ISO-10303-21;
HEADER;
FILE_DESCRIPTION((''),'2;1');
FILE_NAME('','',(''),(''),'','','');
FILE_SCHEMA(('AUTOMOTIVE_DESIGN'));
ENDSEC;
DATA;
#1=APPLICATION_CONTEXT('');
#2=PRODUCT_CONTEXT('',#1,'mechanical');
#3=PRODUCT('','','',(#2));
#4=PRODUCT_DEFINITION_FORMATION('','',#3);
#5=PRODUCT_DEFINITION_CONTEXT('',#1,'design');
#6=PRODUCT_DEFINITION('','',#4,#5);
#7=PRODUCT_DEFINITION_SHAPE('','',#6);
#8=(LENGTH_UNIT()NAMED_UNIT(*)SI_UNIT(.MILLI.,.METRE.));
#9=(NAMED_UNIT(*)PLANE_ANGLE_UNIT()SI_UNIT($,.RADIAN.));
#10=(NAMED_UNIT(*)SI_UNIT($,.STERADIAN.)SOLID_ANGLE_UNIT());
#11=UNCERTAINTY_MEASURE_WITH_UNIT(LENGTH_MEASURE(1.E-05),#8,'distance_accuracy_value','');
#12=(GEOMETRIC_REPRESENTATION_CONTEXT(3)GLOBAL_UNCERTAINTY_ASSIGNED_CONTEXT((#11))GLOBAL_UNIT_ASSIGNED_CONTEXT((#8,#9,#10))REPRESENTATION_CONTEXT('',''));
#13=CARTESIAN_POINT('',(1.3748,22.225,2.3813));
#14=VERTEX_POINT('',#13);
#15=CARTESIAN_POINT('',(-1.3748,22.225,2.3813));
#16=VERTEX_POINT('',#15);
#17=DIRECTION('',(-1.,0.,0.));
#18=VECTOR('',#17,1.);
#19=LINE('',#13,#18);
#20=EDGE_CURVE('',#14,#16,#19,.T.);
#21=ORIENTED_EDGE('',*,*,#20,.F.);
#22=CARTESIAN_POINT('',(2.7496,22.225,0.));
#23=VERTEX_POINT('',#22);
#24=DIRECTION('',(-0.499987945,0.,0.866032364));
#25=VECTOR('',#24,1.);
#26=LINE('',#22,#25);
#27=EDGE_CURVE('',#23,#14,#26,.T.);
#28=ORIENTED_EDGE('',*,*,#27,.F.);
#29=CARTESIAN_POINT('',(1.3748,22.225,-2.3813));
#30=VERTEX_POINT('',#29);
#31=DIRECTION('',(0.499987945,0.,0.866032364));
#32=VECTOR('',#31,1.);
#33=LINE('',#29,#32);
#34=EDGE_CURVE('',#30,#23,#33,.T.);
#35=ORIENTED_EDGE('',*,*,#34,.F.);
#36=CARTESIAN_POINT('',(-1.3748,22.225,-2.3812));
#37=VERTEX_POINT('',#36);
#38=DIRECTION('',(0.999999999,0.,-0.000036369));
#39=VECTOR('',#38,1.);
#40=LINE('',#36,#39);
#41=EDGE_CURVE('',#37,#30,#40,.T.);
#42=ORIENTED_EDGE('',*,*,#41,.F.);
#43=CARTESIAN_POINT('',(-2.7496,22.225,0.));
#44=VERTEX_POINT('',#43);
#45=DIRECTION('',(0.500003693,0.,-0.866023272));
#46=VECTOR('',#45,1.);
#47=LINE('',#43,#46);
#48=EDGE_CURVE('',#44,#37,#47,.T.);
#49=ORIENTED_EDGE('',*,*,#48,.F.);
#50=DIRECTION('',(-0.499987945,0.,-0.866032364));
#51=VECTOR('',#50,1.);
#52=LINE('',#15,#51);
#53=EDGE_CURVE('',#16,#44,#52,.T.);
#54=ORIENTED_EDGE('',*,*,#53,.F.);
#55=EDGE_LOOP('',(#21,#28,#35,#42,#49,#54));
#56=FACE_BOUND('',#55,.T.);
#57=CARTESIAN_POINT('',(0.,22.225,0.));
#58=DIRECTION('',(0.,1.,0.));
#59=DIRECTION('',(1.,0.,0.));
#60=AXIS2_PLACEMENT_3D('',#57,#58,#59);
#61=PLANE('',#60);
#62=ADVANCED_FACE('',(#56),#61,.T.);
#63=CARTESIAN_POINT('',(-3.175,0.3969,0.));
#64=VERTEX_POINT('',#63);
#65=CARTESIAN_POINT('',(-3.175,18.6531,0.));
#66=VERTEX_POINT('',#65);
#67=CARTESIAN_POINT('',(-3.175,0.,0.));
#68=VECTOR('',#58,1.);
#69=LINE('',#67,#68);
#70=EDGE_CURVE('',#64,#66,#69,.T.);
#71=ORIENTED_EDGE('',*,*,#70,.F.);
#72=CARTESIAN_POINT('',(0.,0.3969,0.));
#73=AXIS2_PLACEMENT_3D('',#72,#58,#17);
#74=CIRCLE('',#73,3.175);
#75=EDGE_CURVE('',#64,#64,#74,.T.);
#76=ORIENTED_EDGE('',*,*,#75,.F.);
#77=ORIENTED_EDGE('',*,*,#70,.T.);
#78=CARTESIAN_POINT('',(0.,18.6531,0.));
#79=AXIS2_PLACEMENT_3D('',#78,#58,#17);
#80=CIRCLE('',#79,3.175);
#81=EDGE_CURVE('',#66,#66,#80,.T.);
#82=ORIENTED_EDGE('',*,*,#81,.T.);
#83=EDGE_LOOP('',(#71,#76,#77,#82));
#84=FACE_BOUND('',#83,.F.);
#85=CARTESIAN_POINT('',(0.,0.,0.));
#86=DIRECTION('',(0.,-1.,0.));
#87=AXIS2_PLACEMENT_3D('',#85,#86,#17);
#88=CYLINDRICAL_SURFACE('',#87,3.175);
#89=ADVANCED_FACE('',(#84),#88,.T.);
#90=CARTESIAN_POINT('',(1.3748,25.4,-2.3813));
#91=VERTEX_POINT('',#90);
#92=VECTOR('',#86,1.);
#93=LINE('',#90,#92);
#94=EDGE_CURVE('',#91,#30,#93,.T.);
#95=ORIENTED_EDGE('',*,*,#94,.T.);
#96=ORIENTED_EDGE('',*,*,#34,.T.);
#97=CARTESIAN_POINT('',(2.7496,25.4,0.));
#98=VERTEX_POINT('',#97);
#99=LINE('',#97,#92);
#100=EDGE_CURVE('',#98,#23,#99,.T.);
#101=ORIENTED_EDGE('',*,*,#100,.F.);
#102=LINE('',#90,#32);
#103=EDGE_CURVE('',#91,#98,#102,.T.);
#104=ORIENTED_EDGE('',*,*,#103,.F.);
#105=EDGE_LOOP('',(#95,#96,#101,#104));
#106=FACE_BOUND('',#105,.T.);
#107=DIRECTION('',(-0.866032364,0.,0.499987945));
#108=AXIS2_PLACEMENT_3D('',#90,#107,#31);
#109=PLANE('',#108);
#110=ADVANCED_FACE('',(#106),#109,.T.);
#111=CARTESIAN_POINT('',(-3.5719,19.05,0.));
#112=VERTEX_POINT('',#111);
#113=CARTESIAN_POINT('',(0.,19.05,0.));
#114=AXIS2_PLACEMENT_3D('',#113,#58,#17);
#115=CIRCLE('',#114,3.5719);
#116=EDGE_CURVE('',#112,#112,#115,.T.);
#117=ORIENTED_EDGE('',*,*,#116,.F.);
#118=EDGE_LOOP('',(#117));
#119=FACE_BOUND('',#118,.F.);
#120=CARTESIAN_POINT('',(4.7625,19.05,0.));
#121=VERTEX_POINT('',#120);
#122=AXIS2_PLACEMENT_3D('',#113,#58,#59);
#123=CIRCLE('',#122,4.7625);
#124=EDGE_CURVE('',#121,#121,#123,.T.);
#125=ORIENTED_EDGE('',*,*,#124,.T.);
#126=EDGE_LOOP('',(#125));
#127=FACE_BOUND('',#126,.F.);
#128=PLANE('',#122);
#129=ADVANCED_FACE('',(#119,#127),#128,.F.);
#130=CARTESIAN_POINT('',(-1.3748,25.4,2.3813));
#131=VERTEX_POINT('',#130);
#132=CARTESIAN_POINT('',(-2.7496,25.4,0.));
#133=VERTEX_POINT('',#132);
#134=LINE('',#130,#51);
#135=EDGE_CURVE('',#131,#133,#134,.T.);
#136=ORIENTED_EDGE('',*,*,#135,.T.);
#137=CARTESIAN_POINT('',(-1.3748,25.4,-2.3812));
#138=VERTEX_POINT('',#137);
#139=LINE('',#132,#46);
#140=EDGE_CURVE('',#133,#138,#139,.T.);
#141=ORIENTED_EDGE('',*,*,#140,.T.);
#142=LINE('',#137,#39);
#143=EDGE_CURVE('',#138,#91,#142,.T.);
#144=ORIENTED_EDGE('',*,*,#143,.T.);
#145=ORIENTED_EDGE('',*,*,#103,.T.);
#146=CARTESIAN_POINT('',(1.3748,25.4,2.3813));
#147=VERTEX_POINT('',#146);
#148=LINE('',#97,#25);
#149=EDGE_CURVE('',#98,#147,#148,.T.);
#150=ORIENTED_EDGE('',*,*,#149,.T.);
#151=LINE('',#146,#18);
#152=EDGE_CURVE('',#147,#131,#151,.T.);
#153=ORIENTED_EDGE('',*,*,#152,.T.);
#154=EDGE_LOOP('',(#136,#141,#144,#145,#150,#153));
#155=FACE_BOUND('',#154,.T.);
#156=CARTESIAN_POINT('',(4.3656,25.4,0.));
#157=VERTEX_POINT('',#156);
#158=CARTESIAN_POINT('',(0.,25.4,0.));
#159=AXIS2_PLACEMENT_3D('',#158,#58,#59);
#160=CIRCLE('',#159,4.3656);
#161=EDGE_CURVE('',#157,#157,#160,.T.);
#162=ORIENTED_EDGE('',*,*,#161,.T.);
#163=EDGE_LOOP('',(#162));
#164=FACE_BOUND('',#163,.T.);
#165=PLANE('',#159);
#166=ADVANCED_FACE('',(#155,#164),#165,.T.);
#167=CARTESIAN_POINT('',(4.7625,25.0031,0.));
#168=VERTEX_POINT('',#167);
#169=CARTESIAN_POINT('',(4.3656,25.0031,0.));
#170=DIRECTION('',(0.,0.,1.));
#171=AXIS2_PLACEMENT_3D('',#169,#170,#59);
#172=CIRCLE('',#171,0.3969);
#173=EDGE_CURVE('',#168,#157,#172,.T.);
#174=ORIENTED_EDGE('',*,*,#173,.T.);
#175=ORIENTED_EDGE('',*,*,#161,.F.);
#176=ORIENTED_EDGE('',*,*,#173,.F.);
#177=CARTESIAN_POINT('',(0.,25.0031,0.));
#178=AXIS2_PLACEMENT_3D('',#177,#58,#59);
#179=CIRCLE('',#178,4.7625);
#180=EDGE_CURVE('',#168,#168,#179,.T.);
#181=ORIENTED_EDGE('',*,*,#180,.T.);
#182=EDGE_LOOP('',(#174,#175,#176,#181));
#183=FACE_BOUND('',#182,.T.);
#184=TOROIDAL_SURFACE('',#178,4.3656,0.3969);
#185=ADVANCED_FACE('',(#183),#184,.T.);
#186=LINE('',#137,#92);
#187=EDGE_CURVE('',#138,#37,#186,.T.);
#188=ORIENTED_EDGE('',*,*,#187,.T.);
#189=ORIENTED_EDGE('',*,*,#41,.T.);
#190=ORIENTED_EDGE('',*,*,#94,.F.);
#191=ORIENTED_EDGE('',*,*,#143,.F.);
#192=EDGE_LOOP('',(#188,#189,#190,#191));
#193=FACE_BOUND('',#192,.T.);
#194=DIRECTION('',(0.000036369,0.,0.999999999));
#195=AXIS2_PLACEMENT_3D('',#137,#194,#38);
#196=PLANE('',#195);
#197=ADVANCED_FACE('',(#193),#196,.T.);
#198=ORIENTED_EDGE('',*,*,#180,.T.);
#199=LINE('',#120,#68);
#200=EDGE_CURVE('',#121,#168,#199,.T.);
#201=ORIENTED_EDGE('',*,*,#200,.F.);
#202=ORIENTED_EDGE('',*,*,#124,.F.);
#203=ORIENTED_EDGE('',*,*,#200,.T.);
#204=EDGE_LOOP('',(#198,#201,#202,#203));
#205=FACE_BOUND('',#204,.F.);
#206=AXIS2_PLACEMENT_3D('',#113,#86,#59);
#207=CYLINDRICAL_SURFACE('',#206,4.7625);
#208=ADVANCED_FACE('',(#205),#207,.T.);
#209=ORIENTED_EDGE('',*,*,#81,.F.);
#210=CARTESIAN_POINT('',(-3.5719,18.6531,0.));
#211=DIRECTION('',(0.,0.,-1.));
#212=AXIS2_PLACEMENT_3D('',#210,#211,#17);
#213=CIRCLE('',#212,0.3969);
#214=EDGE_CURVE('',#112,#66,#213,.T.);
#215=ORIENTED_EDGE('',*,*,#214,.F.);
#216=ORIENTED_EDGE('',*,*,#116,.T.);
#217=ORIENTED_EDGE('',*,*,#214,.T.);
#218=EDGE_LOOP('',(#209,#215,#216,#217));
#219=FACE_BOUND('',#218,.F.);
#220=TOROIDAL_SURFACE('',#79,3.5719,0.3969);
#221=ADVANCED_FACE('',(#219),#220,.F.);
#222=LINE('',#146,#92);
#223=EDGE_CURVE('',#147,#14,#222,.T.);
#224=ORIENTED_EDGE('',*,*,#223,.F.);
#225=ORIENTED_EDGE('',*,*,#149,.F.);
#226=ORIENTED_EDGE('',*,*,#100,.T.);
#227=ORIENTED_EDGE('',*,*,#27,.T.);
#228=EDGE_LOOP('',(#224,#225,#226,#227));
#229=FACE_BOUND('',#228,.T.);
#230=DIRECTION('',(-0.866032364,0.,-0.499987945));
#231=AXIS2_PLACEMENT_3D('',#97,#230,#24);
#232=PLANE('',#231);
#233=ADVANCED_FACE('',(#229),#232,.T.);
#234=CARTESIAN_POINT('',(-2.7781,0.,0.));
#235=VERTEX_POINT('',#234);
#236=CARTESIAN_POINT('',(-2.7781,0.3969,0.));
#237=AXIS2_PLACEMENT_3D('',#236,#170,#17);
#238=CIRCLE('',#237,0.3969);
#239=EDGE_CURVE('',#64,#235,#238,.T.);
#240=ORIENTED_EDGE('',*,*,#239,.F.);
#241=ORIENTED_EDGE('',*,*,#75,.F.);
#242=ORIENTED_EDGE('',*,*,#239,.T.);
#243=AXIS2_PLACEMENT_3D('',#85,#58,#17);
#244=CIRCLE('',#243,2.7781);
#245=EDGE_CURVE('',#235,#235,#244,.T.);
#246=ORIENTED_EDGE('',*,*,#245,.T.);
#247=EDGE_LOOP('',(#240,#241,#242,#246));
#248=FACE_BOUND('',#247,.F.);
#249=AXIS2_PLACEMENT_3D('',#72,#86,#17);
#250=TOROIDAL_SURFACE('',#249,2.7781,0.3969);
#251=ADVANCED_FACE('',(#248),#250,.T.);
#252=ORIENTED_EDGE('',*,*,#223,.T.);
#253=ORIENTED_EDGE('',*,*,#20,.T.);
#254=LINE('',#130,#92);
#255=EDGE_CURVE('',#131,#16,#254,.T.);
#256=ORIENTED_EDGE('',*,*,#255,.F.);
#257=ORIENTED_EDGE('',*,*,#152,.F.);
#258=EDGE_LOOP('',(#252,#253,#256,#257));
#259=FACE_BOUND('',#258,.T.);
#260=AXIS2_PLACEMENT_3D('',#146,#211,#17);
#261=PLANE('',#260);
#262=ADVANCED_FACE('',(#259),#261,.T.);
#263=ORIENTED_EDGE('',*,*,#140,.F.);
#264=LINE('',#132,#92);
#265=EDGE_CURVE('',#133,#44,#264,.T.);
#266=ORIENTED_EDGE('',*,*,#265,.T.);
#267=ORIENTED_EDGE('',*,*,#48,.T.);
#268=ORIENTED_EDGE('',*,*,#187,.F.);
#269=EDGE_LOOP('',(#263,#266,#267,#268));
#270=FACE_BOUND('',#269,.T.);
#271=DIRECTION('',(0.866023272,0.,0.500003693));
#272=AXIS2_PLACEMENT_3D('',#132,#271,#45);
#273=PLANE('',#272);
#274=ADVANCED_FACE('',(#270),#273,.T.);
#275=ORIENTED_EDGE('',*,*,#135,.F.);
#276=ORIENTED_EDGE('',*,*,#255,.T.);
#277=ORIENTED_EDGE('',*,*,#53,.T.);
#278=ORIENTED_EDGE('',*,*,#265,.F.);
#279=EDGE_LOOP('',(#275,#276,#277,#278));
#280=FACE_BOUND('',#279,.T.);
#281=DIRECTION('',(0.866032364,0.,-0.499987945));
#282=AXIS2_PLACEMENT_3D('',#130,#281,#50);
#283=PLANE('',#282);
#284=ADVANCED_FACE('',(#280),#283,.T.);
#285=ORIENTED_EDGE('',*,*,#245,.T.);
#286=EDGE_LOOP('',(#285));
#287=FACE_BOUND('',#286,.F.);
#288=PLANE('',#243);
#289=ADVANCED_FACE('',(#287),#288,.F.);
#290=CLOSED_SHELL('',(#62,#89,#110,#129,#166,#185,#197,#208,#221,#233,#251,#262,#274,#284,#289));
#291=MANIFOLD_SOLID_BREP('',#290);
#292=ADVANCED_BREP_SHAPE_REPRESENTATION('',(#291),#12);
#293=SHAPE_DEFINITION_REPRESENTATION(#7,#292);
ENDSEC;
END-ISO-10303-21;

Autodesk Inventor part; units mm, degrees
ref_plane "YZ Plane" through (0, 0, 0) normal (1, 0, 0) x (0, 1, 0)
ref_plane "XZ Plane" through (0, 0, 0) normal (0, 1, 0) x (-1, 0, 0)
ref_plane "XY Plane" through (0, 0, 0) normal (0, 0, 1) x (1, 0, 0)
sketch "Sketch1" plane through (0, 0, 0) normal (0, 1, 0) x (-1, 0, 0)
  circle A0 centre (0, 0) radius 3.175
  dimension "d0" = 6.35
extrude "Extrusion1" add sketch "Sketch1" along normal blind 19.05
sketch "Sketch2" plane through (0, 19.05, 0) normal (0, 1, 0) x (1, 0, 0)
  circle A0 centre (0, 0) radius 3.175 projected
  circle A1 centre (0, 0) radius 4.7625
  dimension "d3" = 9.525
extrude "Extrusion2" add sketch "Sketch2" along normal blind 6.35 contours A0 | A1
sketch "Sketch3" plane through (0, 25.4, 0) normal (0, 1, 0) x (1, 0, 0)
  circle A0 centre (0, 0) radius 4.7625 projected
  line L0 (-1.3748, 2.3812) -> (1.3748, 2.3813)
  line L1 (1.3748, 2.3813) -> (2.7496, 0)
  line L2 (2.7496, 0) -> (1.3748, -2.3813)
  line L3 (1.3748, -2.3813) -> (-1.3748, -2.3813)
  line L4 (-1.3748, -2.3813) -> (-2.7496, 0)
  line L5 (-2.7496, 0) -> (-1.3748, 2.3812)
  dimension "d6" = 4.7625
extrude "Extrusion3" cut sketch "Sketch3" against normal blind 3.175 contours L0 L1 L2 L3 L4 L5
fillet "Fillet1" radius 0.3969 3 edges at (3.175, 19.05, 0) (-4.7625, 25.4, 0) (3.175, 0, 0)
properties part number "Bolt_0.25_20_0.75len_SocketHead" material "Stainless Steel, Austenitic"
